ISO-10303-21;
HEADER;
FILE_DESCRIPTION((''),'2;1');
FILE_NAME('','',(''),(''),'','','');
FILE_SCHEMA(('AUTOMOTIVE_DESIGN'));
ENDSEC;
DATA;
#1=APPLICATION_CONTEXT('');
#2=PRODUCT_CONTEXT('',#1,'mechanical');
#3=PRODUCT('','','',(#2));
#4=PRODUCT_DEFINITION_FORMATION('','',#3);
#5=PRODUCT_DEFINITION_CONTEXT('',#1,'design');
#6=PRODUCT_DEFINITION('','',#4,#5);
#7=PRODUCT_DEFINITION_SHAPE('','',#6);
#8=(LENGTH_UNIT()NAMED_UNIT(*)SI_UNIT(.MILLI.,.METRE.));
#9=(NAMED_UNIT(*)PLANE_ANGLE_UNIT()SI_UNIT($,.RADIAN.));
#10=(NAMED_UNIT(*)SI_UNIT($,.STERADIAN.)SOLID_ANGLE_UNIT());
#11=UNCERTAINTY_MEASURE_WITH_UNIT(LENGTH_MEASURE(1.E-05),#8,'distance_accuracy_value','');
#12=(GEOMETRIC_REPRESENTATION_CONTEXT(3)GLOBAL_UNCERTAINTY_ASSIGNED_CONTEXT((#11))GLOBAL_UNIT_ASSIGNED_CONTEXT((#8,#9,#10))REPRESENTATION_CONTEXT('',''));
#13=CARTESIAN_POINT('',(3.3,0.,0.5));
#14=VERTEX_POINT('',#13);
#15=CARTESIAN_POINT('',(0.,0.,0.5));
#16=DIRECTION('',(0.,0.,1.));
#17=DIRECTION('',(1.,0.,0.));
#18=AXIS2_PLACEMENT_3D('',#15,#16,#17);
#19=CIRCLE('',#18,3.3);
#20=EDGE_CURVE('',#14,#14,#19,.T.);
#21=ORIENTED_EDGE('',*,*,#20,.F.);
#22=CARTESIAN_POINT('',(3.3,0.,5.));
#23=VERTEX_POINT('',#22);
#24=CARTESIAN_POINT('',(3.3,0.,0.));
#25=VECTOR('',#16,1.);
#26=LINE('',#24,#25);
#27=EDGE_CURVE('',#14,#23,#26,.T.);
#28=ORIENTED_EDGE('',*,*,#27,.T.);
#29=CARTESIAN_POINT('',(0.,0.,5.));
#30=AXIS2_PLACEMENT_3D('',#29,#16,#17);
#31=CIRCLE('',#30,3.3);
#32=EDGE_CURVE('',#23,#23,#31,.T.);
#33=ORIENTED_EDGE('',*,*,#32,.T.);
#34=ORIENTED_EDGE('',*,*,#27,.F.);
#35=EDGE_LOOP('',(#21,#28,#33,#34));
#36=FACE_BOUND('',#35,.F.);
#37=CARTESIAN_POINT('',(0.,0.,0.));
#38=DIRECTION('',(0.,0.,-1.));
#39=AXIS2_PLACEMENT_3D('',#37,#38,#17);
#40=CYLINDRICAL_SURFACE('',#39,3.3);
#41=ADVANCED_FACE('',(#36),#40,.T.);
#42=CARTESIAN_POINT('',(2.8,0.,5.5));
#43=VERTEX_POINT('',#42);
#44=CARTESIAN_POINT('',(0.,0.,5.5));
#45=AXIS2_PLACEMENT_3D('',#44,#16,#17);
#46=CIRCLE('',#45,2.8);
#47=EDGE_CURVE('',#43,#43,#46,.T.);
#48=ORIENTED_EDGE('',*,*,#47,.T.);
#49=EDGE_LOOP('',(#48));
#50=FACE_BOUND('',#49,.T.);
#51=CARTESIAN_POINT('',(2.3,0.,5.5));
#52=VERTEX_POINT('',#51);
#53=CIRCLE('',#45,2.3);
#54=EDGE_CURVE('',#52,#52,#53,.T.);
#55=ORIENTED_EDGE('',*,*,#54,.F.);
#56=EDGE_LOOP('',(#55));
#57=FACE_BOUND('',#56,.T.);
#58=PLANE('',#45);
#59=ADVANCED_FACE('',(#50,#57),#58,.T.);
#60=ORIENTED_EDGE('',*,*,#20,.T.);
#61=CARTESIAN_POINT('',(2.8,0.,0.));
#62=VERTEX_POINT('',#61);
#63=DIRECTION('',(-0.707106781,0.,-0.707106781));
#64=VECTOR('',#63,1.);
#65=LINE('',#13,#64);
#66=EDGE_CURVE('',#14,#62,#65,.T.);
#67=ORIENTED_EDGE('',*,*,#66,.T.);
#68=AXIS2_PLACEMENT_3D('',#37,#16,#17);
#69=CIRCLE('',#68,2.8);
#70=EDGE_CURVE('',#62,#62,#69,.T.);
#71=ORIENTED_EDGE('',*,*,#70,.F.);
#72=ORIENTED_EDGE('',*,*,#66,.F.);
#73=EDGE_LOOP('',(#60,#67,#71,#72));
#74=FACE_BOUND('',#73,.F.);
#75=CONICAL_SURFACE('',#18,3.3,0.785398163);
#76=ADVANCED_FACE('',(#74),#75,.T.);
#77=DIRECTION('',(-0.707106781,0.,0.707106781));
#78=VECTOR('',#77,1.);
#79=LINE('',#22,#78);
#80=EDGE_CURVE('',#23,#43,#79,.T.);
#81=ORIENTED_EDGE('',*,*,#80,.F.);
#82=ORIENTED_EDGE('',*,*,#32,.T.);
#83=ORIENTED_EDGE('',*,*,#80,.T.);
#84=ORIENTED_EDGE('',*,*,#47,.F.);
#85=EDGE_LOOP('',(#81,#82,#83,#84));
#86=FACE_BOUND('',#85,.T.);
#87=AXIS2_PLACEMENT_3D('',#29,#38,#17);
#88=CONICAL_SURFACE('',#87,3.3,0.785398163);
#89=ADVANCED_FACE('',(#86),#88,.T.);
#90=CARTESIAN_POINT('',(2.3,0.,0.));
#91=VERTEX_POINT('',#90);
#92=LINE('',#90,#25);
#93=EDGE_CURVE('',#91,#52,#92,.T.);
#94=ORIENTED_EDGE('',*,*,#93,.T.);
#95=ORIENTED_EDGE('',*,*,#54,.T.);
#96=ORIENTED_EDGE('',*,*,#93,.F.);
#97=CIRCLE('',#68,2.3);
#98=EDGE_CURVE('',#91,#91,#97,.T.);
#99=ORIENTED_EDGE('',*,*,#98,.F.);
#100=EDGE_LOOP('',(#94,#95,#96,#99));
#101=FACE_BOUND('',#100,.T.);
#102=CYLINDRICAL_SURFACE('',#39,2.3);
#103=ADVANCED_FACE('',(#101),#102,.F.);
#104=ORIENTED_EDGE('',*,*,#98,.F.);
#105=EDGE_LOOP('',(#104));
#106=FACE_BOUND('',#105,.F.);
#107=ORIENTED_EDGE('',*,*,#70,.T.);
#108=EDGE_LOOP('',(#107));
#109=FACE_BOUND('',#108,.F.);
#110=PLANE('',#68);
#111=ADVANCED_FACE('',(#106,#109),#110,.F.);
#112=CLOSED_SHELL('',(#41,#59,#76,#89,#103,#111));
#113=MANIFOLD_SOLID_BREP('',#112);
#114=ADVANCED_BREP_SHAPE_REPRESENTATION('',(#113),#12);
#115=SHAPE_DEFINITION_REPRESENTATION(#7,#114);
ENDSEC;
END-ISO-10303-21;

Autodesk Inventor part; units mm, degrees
ref_plane "YZ Plane" through (0, 0, 0) normal (1, 0, 0) x (0, 1, 0)
ref_plane "XZ Plane" through (0, 0, 0) normal (0, 1, 0) x (-1, 0, 0)
ref_plane "XY Plane" through (0, 0, 0) normal (0, 0, 1) x (1, 0, 0)
sketch "Skizze1" plane through (0, 0, 0) normal (0, 0, 1) x (1, 0, 0)
  circle A0 centre (0, 0) radius 2.3
  circle A1 centre (0, 0) radius 3.3
  dimension "d0" = 4.6
  dimension "d1" = 1
extrude "Extrusion1" add sketch "Skizze1" along normal blind 5.5
chamfer "Fase1" distance 0.5 angle 45 2 edges at (-3.3, 0, 5.5) (-3.3, 0, 0)
properties part number "GearAxisSleeve"
